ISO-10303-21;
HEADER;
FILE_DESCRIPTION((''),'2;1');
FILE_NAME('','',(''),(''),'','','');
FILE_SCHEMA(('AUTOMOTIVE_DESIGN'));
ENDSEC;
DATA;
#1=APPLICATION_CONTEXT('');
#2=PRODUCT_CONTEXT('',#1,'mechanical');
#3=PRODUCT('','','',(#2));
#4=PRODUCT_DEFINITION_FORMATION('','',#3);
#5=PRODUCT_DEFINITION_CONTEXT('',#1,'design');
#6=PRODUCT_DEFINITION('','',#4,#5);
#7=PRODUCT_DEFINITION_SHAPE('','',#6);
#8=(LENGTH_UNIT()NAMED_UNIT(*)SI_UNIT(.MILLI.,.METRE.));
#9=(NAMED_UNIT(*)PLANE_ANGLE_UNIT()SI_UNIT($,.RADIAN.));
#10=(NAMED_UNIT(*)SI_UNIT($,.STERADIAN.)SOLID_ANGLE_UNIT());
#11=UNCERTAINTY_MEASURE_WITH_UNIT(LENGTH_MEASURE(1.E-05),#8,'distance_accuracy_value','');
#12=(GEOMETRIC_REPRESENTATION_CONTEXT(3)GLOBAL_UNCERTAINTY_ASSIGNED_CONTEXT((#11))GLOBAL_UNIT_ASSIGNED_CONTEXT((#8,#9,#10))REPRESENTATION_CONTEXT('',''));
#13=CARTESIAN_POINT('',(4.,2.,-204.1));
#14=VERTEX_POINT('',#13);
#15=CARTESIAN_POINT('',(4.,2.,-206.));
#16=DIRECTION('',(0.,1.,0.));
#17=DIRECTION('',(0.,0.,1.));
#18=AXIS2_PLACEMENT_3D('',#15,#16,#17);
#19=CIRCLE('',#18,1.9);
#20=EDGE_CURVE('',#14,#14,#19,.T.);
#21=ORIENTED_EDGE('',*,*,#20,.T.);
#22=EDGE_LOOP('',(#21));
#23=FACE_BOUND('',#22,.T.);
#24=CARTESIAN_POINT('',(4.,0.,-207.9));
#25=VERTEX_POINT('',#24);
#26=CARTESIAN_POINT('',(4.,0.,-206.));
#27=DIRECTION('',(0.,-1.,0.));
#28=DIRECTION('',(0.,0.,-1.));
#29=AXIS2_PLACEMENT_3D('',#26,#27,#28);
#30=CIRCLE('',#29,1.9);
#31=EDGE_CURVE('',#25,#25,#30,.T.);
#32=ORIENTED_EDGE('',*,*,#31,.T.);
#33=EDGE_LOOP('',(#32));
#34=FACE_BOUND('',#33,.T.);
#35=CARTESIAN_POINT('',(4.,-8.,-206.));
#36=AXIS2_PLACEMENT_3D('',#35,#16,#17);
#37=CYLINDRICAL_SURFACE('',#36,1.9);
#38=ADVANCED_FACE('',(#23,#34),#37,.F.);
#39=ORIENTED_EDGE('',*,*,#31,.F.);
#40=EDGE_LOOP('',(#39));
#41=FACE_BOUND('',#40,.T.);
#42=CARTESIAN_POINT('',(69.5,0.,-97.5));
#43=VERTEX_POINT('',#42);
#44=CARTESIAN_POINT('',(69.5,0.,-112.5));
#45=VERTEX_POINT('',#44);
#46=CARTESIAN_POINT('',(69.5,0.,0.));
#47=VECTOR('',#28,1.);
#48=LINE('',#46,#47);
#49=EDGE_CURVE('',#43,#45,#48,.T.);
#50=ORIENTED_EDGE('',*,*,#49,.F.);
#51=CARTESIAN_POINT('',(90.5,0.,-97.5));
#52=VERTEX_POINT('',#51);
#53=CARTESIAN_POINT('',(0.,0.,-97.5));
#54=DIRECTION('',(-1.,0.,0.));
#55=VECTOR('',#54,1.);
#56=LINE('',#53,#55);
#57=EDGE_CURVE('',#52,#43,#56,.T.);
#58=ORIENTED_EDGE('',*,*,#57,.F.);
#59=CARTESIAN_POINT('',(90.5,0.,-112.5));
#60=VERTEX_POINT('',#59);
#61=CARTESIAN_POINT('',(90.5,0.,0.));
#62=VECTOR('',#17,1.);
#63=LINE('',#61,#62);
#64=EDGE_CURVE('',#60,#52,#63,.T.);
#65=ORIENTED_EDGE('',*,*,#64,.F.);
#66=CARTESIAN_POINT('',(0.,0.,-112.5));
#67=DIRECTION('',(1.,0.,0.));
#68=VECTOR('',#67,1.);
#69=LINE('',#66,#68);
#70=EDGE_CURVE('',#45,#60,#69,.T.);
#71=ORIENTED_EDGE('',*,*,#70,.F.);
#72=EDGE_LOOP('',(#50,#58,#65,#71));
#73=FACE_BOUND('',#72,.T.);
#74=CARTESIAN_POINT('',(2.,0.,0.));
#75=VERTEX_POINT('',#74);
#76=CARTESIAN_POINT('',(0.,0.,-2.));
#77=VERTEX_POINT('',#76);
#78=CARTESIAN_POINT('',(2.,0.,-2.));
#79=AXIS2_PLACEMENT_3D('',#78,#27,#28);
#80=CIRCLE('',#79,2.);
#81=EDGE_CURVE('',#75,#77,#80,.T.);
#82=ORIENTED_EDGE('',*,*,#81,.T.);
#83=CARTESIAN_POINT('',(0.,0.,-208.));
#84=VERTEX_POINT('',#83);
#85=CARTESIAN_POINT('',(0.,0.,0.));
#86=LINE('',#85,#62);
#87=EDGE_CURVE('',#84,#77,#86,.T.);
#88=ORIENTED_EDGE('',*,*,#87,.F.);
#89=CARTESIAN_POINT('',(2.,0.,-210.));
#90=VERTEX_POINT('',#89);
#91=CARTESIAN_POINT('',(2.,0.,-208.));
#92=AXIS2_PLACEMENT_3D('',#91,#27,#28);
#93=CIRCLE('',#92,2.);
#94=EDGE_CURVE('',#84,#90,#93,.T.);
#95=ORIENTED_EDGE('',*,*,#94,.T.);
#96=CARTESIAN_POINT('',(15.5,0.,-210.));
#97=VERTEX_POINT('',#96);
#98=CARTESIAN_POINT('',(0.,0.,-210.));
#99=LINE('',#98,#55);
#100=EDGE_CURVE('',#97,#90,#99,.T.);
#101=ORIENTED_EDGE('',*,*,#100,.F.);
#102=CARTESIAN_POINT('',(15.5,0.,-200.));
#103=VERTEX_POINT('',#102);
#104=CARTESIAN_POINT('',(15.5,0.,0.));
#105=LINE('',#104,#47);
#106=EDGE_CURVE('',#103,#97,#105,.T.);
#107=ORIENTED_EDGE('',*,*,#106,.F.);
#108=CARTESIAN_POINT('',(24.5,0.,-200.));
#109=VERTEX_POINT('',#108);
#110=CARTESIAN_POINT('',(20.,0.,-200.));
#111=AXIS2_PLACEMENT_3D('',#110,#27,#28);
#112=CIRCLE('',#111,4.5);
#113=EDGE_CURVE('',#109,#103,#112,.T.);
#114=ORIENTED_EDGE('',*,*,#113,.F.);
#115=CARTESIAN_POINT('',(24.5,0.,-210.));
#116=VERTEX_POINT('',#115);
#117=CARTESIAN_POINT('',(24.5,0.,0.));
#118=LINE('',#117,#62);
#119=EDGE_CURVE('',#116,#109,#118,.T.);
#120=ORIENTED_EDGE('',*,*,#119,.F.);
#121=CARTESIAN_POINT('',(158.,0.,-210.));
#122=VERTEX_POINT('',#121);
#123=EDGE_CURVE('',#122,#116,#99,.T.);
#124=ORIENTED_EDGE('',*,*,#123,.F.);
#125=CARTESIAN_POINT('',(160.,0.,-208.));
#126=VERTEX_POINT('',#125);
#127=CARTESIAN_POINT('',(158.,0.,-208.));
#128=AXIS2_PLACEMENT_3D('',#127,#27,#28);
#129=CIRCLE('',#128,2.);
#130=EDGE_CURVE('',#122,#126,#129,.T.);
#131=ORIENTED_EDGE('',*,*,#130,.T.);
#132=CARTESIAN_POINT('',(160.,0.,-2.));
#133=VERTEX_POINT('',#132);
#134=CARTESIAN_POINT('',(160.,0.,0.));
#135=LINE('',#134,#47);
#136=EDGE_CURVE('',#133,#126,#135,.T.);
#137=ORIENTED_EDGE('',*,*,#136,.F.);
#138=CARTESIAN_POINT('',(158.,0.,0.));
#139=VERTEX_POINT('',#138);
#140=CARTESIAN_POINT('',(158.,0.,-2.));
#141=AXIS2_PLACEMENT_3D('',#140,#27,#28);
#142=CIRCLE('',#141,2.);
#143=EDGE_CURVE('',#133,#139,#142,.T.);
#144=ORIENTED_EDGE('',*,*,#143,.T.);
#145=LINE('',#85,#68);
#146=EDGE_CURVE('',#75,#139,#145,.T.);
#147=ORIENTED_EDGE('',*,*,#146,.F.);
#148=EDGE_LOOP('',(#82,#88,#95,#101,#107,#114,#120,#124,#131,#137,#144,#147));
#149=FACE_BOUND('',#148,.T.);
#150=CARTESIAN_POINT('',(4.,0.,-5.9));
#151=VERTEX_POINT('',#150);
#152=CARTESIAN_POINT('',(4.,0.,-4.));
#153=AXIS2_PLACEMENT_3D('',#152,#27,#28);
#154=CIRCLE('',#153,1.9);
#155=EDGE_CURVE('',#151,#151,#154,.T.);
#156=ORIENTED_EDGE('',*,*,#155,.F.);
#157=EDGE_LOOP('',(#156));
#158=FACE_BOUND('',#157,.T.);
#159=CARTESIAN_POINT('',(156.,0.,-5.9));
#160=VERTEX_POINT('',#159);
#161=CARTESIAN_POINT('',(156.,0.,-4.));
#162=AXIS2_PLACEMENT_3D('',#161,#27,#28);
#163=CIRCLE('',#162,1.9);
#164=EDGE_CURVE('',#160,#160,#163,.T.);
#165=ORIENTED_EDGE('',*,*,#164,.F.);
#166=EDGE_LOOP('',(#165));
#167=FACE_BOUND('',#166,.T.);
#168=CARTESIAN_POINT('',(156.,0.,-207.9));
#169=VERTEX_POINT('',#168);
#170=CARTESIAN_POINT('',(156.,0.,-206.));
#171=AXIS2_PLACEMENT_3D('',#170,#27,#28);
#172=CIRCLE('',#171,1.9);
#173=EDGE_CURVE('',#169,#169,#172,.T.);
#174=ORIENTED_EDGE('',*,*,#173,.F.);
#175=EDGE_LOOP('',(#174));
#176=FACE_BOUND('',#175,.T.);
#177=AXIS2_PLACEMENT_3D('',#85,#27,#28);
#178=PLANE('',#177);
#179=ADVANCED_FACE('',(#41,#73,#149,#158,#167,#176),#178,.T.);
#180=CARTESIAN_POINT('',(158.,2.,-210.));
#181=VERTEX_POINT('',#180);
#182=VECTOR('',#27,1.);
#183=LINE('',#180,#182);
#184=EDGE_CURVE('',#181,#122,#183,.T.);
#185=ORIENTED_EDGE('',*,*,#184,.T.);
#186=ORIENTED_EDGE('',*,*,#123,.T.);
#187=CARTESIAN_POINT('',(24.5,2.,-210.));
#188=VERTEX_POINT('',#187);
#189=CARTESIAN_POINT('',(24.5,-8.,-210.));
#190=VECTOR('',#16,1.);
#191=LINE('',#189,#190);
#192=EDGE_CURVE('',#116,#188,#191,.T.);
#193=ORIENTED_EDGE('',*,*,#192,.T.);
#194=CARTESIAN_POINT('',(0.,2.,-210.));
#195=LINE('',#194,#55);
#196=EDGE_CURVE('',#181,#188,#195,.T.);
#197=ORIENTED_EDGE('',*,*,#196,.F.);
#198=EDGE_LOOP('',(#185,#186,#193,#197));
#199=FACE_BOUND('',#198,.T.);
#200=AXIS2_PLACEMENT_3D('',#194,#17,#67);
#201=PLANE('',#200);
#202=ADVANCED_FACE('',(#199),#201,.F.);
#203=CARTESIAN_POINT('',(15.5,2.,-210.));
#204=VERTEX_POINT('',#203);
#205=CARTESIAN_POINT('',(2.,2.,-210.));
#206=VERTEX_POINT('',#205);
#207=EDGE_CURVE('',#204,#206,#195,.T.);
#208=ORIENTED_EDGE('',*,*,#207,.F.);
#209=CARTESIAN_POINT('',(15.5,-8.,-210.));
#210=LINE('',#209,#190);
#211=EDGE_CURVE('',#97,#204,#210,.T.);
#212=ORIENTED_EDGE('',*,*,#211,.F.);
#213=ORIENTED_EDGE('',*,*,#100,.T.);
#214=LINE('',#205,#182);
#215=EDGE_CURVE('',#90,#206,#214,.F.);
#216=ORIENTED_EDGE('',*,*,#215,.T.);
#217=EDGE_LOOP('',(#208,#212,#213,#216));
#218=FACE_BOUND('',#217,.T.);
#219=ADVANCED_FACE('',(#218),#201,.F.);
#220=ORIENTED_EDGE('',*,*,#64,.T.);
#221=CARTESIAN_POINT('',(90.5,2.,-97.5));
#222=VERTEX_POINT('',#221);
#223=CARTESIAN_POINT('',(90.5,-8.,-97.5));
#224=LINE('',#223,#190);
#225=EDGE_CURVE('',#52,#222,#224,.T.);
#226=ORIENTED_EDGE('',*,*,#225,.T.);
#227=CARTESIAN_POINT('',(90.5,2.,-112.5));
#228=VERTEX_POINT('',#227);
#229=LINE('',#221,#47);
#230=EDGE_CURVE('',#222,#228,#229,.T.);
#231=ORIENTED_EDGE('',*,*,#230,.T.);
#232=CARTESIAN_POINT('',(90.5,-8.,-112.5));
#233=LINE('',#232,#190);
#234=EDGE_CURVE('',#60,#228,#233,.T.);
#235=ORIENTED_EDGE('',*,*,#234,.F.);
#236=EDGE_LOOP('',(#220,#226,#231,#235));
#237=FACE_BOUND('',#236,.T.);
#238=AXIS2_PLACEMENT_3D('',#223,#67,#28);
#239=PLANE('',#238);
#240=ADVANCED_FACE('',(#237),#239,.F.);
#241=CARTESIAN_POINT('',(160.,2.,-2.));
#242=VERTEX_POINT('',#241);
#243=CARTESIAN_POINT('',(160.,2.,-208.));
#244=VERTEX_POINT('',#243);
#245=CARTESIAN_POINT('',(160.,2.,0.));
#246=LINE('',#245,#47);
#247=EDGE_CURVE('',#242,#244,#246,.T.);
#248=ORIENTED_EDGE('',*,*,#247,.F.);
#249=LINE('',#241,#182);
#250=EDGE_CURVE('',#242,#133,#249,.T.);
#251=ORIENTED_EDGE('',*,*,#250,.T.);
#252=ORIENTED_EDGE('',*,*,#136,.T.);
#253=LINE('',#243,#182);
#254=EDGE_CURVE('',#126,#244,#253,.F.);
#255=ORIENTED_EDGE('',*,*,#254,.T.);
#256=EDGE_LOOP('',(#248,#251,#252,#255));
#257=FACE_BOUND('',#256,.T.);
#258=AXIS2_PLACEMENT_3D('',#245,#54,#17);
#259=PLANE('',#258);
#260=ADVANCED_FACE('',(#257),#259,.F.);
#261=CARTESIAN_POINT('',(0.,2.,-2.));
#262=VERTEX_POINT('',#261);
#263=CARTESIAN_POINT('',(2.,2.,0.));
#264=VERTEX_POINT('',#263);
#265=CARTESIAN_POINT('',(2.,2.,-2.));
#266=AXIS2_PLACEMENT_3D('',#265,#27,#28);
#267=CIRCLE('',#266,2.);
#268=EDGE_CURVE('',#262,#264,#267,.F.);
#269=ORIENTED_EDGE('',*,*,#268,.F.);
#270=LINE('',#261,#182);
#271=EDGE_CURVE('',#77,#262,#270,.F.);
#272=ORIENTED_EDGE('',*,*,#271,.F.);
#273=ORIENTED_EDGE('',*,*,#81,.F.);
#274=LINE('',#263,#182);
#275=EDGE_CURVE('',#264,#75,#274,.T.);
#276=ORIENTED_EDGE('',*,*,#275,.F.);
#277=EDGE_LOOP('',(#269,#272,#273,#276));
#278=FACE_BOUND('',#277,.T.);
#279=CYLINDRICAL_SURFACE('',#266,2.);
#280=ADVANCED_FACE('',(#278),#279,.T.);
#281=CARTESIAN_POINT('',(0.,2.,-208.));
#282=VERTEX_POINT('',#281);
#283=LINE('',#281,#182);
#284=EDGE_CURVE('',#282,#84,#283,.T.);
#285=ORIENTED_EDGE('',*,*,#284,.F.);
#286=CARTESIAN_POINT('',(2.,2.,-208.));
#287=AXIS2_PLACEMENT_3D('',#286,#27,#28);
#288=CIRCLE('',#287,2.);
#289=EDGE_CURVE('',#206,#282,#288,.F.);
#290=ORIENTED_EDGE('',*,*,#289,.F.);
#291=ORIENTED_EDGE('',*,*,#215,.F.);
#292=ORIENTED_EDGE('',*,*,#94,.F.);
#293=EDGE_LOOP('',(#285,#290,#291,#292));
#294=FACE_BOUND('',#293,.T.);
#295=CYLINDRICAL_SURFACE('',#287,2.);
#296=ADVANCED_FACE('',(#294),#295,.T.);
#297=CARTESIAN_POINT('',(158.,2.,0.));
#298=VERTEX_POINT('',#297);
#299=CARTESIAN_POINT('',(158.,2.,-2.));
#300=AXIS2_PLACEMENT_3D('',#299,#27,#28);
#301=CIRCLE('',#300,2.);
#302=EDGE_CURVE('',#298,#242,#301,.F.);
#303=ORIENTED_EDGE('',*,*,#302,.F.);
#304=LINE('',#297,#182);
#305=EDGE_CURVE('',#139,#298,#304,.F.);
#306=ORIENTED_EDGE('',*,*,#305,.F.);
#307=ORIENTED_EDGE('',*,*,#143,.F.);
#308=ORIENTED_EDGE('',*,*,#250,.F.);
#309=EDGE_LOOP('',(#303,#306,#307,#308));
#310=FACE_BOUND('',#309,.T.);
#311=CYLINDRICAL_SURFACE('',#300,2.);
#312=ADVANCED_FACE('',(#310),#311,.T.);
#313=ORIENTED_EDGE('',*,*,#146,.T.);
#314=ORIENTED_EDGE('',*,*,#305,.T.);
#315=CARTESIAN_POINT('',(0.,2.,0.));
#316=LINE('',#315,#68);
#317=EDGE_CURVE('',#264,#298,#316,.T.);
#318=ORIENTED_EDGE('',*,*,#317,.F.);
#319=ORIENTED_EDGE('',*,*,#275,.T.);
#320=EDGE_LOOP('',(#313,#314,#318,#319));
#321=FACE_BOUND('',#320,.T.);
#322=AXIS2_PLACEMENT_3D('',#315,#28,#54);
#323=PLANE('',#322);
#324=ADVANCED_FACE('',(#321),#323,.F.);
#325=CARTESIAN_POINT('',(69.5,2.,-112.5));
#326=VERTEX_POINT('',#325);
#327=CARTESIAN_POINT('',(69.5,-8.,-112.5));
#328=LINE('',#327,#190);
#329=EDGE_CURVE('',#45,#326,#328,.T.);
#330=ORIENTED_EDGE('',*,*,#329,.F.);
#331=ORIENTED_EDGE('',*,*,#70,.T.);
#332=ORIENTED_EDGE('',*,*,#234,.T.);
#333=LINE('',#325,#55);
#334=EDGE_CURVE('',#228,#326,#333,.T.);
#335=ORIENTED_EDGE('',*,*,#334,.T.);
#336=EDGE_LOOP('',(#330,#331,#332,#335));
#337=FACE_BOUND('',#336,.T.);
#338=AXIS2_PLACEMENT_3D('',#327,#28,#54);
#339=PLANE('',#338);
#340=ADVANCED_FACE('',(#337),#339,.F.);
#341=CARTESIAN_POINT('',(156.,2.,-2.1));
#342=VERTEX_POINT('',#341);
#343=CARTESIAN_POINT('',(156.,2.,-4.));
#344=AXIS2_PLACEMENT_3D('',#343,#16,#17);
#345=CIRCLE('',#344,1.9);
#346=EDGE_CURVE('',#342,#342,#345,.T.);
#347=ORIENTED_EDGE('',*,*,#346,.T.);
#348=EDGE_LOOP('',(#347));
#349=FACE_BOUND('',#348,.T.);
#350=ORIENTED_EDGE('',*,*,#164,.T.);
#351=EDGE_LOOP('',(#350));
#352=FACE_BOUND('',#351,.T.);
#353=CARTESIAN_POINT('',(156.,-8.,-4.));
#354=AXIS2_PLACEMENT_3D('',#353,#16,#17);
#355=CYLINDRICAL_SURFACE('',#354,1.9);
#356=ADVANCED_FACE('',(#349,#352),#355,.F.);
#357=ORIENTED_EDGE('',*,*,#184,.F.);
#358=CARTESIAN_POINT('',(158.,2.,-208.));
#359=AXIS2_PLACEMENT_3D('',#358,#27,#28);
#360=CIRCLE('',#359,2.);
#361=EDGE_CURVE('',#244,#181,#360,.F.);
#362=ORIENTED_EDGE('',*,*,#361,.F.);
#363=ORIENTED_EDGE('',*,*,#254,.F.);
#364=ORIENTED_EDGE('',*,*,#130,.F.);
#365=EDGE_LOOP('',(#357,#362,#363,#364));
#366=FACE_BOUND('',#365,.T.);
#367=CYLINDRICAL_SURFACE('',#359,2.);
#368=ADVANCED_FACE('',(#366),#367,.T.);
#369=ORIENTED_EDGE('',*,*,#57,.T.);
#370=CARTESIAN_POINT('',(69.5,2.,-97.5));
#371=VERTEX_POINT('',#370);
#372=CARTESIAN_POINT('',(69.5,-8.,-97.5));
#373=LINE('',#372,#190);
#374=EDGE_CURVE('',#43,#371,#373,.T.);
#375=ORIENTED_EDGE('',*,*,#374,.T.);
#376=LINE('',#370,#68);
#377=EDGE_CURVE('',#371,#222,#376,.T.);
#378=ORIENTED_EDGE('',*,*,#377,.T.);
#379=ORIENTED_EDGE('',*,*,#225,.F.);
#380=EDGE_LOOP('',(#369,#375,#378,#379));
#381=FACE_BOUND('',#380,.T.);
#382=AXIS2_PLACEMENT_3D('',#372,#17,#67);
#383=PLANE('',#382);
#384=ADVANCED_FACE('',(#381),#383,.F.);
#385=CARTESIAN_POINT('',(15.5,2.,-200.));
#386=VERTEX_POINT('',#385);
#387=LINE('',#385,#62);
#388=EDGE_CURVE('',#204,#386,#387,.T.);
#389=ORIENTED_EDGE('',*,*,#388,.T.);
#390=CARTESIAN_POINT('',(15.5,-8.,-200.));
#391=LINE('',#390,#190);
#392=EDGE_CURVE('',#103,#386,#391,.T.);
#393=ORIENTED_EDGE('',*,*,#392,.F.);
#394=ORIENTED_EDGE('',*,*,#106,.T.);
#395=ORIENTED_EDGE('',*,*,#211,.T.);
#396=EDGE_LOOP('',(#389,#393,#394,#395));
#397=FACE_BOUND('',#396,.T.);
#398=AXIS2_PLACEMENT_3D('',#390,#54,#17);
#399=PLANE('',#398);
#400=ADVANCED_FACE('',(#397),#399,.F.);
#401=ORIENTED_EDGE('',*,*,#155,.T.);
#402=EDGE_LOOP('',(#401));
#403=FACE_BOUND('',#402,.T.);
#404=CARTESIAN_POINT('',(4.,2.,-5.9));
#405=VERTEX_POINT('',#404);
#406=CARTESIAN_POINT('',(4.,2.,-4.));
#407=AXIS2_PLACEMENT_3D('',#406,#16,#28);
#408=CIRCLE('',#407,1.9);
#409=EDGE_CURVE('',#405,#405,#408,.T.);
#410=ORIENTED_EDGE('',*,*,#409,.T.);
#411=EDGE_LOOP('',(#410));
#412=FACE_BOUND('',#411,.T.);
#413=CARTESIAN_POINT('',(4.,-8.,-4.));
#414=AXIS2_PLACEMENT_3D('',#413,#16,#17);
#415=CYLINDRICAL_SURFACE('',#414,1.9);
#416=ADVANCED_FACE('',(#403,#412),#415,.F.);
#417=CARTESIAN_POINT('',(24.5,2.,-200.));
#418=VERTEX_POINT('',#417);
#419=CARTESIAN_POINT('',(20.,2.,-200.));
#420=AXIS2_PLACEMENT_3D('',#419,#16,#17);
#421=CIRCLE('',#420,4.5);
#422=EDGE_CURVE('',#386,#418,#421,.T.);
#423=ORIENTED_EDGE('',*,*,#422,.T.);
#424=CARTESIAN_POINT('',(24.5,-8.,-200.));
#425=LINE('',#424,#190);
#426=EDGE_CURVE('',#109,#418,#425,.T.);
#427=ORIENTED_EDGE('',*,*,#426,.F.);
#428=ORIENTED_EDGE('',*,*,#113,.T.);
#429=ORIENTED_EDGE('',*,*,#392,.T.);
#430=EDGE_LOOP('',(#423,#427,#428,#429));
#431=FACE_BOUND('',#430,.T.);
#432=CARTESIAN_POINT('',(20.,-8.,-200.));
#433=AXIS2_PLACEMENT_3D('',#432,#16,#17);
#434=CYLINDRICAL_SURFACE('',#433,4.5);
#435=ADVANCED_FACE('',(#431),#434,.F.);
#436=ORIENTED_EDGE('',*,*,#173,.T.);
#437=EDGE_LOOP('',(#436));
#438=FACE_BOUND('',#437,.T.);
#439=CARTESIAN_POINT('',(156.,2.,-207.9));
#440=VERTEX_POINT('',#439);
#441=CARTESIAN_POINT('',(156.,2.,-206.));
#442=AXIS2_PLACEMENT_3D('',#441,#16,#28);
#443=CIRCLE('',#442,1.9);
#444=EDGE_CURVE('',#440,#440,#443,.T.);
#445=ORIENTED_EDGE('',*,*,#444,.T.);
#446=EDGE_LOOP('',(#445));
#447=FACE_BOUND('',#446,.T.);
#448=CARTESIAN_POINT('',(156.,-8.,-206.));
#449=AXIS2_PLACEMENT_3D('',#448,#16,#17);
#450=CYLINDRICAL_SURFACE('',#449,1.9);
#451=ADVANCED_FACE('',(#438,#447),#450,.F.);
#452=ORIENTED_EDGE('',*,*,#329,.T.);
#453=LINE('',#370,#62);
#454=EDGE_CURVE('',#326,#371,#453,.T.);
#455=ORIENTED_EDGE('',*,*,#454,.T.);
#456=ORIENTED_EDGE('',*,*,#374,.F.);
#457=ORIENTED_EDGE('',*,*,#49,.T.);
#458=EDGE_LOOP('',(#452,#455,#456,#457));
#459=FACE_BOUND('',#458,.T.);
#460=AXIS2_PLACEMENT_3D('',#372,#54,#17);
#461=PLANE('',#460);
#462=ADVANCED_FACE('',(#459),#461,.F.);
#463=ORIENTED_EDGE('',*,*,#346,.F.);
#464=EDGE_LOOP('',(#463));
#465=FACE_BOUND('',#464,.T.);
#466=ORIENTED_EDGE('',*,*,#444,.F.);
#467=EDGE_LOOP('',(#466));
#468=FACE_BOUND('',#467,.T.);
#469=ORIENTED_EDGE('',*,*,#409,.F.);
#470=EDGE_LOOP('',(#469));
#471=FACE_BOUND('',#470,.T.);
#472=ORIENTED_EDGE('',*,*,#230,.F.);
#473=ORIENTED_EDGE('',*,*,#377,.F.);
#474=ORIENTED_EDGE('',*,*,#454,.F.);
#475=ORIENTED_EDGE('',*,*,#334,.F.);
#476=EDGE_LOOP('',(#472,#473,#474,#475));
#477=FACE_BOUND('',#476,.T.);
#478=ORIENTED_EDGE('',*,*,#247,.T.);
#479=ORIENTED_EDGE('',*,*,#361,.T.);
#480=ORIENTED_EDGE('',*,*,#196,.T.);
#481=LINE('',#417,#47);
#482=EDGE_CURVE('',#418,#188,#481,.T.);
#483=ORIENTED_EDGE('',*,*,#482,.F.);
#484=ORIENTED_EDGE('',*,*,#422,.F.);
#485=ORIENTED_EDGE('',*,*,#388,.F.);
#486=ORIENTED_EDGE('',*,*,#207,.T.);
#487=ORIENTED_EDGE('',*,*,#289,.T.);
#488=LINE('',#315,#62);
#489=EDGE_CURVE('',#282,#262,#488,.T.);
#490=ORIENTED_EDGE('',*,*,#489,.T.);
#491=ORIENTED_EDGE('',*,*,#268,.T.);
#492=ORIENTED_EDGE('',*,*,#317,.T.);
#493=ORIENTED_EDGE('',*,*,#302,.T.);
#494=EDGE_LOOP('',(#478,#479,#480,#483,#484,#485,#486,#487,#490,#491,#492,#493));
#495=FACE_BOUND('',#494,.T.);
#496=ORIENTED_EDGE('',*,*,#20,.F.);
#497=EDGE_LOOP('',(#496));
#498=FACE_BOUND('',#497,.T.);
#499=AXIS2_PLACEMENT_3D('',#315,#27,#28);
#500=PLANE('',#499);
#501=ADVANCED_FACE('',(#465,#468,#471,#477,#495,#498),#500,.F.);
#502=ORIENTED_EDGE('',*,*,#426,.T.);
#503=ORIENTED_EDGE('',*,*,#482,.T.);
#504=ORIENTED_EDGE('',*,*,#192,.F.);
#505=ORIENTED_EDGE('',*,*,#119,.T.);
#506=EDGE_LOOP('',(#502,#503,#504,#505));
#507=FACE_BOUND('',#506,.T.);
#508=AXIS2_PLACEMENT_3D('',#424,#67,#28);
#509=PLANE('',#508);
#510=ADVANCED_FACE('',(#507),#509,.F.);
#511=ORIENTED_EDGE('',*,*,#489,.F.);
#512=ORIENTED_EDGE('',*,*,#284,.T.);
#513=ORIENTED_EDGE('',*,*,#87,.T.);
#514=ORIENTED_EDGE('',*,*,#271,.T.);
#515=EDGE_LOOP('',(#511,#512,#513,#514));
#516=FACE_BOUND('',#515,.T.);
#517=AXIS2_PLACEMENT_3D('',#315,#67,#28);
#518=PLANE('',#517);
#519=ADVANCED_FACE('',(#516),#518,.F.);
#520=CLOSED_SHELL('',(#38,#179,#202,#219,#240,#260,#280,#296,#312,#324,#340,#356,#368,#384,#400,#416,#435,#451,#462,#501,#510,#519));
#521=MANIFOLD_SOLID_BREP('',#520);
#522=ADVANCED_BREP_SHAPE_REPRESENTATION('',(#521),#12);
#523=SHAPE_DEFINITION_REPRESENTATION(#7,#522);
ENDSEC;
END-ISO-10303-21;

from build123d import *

# Parameters (mm, degrees)
SKETCH1_W           = 160
SKETCH1_H           = 210
BOSS_EXTRUDE1_DEPTH = 2
SKETCH2_R           = 1.9
CUT_EXTRUDE1_DEPTH  = 10
FILLET1_R           = 2
SKETCH3_W           = 21
SKETCH3_H           = 15
CUT_EXTRUDE2_DEPTH  = 10


with BuildPart() as part:
    # Sketch1 → Boss-Extrude1 (new body)
    with BuildSketch(Plane(origin=(0, 0, 0), x_dir=(1, 0, 0), z_dir=(0, 1, 0))):
        with Locations((80, 105)):
            Rectangle(SKETCH1_W, SKETCH1_H)
    extrude(amount=BOSS_EXTRUDE1_DEPTH)

    # Sketch2 → Cut-Extrude1 (cut)
    with BuildSketch(Plane(origin=(0, 2, 0), x_dir=(1, 0, 0), z_dir=(0, 1, 0))):
        with Locations(Location((4, 206, 0), (0, 0, 270))):
            Circle(SKETCH2_R)
        with Locations(Location((156, 206, 0), (0, 0, 90))):
            Circle(SKETCH2_R)
        with Locations(Location((156, 4, 0), (0, 0, 270))):
            Circle(SKETCH2_R)
        with Locations(Location((4, 4, 0), (0, 0, 90))):
            Circle(SKETCH2_R)
        with BuildLine():
            Line((24.5, 200), (24.5, 210))
            Line((24.5, 210), (15.5, 210))
            Line((15.5, 210), (15.5, 200))
            ThreePointArc((15.5, 200), (20, 195.5), (24.5, 200))
        make_face()
    extrude(amount=-CUT_EXTRUDE1_DEPTH, mode=Mode.SUBTRACT)

    # Fillet1
    fillet1_edges = [part.edges().sort_by_distance(p)[0] for p in [
        (0, 1, -210),
        (160, 1, -210),
        (160, 1, 0),
        (0, 1, 0),
    ]]
    fillet(fillet1_edges, radius=FILLET1_R)

    # Sketch3 → Cut-Extrude2 (cut)
    with BuildSketch(Plane(origin=(0, 2, 0), x_dir=(1, 0, 0), z_dir=(0, 1, 0))):
        with Locations((80, 105)):
            Rectangle(SKETCH3_W, SKETCH3_H)
    extrude(amount=-CUT_EXTRUDE2_DEPTH, mode=Mode.SUBTRACT)


solid = part.part
